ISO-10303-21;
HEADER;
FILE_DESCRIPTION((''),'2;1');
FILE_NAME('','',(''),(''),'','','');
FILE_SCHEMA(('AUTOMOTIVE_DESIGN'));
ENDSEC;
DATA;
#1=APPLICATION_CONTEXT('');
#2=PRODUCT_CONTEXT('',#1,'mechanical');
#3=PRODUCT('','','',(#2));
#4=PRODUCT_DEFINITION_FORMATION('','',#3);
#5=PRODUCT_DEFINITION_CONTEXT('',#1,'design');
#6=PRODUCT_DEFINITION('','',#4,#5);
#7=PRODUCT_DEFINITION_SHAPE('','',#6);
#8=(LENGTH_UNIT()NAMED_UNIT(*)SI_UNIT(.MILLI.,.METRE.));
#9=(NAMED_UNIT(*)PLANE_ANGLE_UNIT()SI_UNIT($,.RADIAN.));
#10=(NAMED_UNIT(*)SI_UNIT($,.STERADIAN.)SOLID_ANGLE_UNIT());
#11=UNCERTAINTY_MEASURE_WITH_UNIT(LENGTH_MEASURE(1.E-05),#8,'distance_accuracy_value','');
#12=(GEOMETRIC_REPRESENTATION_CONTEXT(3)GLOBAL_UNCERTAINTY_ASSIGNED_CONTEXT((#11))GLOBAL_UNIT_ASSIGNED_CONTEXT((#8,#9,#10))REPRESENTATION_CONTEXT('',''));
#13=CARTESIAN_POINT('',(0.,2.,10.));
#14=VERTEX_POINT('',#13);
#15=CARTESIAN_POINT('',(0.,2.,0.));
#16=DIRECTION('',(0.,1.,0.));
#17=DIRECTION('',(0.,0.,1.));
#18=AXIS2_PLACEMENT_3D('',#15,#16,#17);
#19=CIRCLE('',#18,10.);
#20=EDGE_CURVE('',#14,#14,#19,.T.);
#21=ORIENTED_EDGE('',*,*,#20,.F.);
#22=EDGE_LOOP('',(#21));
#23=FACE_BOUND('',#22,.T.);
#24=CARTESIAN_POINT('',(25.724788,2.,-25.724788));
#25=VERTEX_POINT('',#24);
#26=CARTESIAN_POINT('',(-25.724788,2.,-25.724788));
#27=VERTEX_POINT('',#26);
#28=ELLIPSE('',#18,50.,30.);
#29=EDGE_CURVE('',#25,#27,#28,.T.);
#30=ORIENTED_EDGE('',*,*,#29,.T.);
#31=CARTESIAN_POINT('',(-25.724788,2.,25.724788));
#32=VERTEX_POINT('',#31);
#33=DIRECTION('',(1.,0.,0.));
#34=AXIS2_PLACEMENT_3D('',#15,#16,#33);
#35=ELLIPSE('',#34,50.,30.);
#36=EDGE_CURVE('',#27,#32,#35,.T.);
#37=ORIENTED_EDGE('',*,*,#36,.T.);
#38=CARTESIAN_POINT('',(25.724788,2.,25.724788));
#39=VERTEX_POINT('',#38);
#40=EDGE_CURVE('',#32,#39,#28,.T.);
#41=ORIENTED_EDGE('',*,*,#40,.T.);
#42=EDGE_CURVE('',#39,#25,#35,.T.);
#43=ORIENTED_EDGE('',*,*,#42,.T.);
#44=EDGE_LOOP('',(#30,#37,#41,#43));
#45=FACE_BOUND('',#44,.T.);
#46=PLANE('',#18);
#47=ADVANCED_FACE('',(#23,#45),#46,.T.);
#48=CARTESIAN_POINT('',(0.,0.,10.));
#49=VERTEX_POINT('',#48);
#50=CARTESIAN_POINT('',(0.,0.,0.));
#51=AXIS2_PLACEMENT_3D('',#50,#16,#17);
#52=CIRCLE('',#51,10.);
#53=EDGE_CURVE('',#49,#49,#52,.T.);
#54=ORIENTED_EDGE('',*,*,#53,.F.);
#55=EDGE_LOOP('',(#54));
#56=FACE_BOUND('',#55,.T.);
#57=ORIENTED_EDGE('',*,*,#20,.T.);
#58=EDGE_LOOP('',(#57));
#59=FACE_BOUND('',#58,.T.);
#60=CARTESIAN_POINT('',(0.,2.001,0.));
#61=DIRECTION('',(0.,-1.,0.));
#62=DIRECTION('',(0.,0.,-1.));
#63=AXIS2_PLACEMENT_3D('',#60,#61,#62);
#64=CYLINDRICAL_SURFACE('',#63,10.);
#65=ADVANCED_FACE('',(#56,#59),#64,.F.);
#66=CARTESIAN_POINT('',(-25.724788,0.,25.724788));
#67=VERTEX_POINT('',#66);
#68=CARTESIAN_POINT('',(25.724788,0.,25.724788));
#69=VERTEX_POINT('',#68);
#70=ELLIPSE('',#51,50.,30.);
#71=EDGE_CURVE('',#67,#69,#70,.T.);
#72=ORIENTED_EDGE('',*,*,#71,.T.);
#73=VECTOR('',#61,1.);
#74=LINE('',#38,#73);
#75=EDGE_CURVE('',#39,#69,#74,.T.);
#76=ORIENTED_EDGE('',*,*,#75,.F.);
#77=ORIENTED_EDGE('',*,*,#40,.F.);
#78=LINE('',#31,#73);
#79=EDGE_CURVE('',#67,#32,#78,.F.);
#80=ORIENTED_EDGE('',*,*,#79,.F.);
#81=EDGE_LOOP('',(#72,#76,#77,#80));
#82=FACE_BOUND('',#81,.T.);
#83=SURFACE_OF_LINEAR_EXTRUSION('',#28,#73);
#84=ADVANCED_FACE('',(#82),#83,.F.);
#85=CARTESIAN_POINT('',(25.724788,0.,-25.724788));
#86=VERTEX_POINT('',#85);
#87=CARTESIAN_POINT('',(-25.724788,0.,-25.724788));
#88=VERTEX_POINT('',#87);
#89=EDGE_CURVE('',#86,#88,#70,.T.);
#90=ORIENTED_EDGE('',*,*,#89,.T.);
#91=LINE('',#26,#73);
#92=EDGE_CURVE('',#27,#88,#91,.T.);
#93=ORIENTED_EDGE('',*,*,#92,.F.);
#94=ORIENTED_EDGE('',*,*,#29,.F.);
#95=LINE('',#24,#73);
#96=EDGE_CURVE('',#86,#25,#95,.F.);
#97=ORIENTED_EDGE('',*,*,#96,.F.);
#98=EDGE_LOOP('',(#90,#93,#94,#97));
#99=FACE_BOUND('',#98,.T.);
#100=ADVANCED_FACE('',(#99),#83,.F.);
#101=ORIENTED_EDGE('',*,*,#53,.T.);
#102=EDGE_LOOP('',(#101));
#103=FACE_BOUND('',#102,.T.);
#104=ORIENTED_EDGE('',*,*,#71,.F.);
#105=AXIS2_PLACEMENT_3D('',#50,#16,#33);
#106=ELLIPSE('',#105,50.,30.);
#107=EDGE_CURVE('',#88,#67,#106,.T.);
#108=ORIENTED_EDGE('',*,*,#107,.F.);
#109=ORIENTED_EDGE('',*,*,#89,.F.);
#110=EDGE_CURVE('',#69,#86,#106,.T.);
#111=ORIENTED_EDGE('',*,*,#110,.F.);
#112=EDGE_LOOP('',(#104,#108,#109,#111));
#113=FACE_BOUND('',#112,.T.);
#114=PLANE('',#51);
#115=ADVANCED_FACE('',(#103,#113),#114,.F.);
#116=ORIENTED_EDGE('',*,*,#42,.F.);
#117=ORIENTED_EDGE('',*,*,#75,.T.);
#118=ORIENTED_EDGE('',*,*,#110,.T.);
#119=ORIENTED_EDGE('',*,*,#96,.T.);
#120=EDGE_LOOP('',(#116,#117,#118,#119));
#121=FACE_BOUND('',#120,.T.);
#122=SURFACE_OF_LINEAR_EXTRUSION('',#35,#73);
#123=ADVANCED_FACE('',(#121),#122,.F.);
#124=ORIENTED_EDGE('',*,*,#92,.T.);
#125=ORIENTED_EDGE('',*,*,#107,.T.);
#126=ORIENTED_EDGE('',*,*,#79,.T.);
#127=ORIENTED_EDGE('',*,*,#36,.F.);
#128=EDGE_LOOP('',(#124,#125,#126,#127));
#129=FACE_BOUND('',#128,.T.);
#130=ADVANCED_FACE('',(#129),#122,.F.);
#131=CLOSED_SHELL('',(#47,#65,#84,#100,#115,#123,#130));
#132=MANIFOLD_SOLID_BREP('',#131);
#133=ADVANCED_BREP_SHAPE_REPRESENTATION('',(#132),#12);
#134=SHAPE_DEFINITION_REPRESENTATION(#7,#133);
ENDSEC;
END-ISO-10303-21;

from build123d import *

# Parameters (mm, degrees)
SZKIC1_RX                   = 50
SZKIC1_RY                   = 30
DODANIE_WYCI_GNI_CIE1_DEPTH = 2
WYTNIJ_WYCI_GNI_CIE1_REACH  = 72.739


with BuildPart() as part:
    # Szkic1 → Dodanie-wyci_gni_cie1 (new body)
    with BuildSketch(Plane(origin=(0, 0, 0), x_dir=(1, 0, 0), z_dir=(0, 1, 0))):
        with Locations(Location((0, 0), (0, 0, -90))):
            Ellipse(SZKIC1_RX, SZKIC1_RY)
        with Locations((0, 0)):
            Ellipse(SZKIC1_RX, SZKIC1_RY)
    extrude(amount=DODANIE_WYCI_GNI_CIE1_DEPTH)

    # Szkic1_4 → Wytnij-wyci_gni_cie1 (cut, up to next)
    with BuildSketch(Plane(origin=(0, 0, 0), x_dir=(1, 0, 0), z_dir=(0, 1, 0)), mode=Mode.PRIVATE) as wytnij_wyci_gni_cie1_sk1:
        with BuildLine():
            ThreePointArc((0, 10), (-7.071067818, 7.071067805), (-10, -1.8e-08))
            Line((-10, 0), (0, 0))
            Line((0, 0), (0, 10))
        make_face()
    wytnij_wyci_gni_cie1_tool1 = extrude(wytnij_wyci_gni_cie1_sk1.sketch, amount=WYTNIJ_WYCI_GNI_CIE1_REACH, mode=Mode.PRIVATE) & part.part
    # Szkic1_4 → Wytnij-wyci_gni_cie1 (cut, up to next)
    with BuildSketch(Plane(origin=(0, 0, 0), x_dir=(1, 0, 0), z_dir=(0, 1, 0)), mode=Mode.PRIVATE) as wytnij_wyci_gni_cie1_sk2:
        with BuildLine():
            Line((0, 0), (-10, 0))
            ThreePointArc((-10, -1.8e-08), (-7.071067805, -7.071067818), (0, -10))
            Line((0, -10), (0, 0))
        make_face()
    wytnij_wyci_gni_cie1_tool2 = extrude(wytnij_wyci_gni_cie1_sk2.sketch, amount=WYTNIJ_WYCI_GNI_CIE1_REACH, mode=Mode.PRIVATE) & part.part
    # Szkic1_4 → Wytnij-wyci_gni_cie1 (cut, up to next)
    with BuildSketch(Plane(origin=(0, 0, 0), x_dir=(1, 0, 0), z_dir=(0, 1, 0)), mode=Mode.PRIVATE) as wytnij_wyci_gni_cie1_sk3:
        with BuildLine():
            ThreePointArc((10, 0), (7.071067812, 7.071067812), (0, 10))
            Line((0, 10), (0, 0))
            Line((0, 0), (10, 0))
        make_face()
    wytnij_wyci_gni_cie1_tool3 = extrude(wytnij_wyci_gni_cie1_sk3.sketch, amount=WYTNIJ_WYCI_GNI_CIE1_REACH, mode=Mode.PRIVATE) & part.part
    # Szkic1_4 → Wytnij-wyci_gni_cie1 (cut, up to next)
    with BuildSketch(Plane(origin=(0, 0, 0), x_dir=(1, 0, 0), z_dir=(0, 1, 0)), mode=Mode.PRIVATE) as wytnij_wyci_gni_cie1_sk4:
        with BuildLine():
            Line((10, 0), (0, 0))
            Line((0, 0), (0, -10))
            ThreePointArc((0, -10), (7.071067812, -7.071067812), (10, 0))
        make_face()
    wytnij_wyci_gni_cie1_tool4 = extrude(wytnij_wyci_gni_cie1_sk4.sketch, amount=WYTNIJ_WYCI_GNI_CIE1_REACH, mode=Mode.PRIVATE) & part.part
    # Szkic1_4 → Wytnij-wyci_gni_cie1 (cut, up to next)
    with BuildSketch(Plane(origin=(0, 0, 0), x_dir=(1, 0, 0), z_dir=(0, 1, 0)), mode=Mode.PRIVATE) as wytnij_wyci_gni_cie1_sk5:
        with BuildLine():
            ThreePointArc((0, 10), (-7.071067818, 7.071067805), (-10, -1.8e-08))
            Line((-10, 0), (0, 0))
            Line((0, 0), (0, 10))
        make_face()
    wytnij_wyci_gni_cie1_tool5 = extrude(wytnij_wyci_gni_cie1_sk5.sketch, amount=WYTNIJ_WYCI_GNI_CIE1_REACH, mode=Mode.PRIVATE) & part.part
    # Szkic1_4 → Wytnij-wyci_gni_cie1 (cut, up to next)
    with BuildSketch(Plane(origin=(0, 0, 0), x_dir=(1, 0, 0), z_dir=(0, 1, 0)), mode=Mode.PRIVATE) as wytnij_wyci_gni_cie1_sk6:
        with BuildLine():
            Line((0, 0), (-10, 0))
            ThreePointArc((-10, -1.8e-08), (-7.071067805, -7.071067818), (0, -10))
            Line((0, -10), (0, 0))
        make_face()
    wytnij_wyci_gni_cie1_tool6 = extrude(wytnij_wyci_gni_cie1_sk6.sketch, amount=WYTNIJ_WYCI_GNI_CIE1_REACH, mode=Mode.PRIVATE) & part.part
    # Szkic1_4 → Wytnij-wyci_gni_cie1 (cut, up to next)
    with BuildSketch(Plane(origin=(0, 0, 0), x_dir=(1, 0, 0), z_dir=(0, 1, 0)), mode=Mode.PRIVATE) as wytnij_wyci_gni_cie1_sk7:
        with BuildLine():
            ThreePointArc((10, 0), (7.071067812, 7.071067812), (0, 10))
            Line((0, 10), (0, 0))
            Line((0, 0), (10, 0))
        make_face()
    wytnij_wyci_gni_cie1_tool7 = extrude(wytnij_wyci_gni_cie1_sk7.sketch, amount=WYTNIJ_WYCI_GNI_CIE1_REACH, mode=Mode.PRIVATE) & part.part
    # Szkic1_4 → Wytnij-wyci_gni_cie1 (cut, up to next)
    with BuildSketch(Plane(origin=(0, 0, 0), x_dir=(1, 0, 0), z_dir=(0, 1, 0)), mode=Mode.PRIVATE) as wytnij_wyci_gni_cie1_sk8:
        with BuildLine():
            Line((10, 0), (0, 0))
            Line((0, 0), (0, -10))
            ThreePointArc((0, -10), (7.071067812, -7.071067812), (10, 0))
        make_face()
    wytnij_wyci_gni_cie1_tool8 = extrude(wytnij_wyci_gni_cie1_sk8.sketch, amount=WYTNIJ_WYCI_GNI_CIE1_REACH, mode=Mode.PRIVATE) & part.part
    # Szkic1_4 → Wytnij-wyci_gni_cie1 (cut, up to next)
    with BuildSketch(Plane(origin=(0, 0, 0), x_dir=(1, 0, 0), z_dir=(0, 1, 0)), mode=Mode.PRIVATE) as wytnij_wyci_gni_cie1_sk9:
        with BuildLine():
            ThreePointArc((0, 10), (-7.071067818, 7.071067805), (-10, -1.8e-08))
            Line((-10, 0), (0, 0))
            Line((0, 0), (0, 10))
        make_face()
    wytnij_wyci_gni_cie1_tool9 = extrude(wytnij_wyci_gni_cie1_sk9.sketch, amount=WYTNIJ_WYCI_GNI_CIE1_REACH, mode=Mode.PRIVATE) & part.part
    # Szkic1_4 → Wytnij-wyci_gni_cie1 (cut, up to next)
    with BuildSketch(Plane(origin=(0, 0, 0), x_dir=(1, 0, 0), z_dir=(0, 1, 0)), mode=Mode.PRIVATE) as wytnij_wyci_gni_cie1_sk10:
        with BuildLine():
            Line((0, 0), (-10, 0))
            ThreePointArc((-10, -1.8e-08), (-7.071067805, -7.071067818), (0, -10))
            Line((0, -10), (0, 0))
        make_face()
    wytnij_wyci_gni_cie1_tool10 = extrude(wytnij_wyci_gni_cie1_sk10.sketch, amount=WYTNIJ_WYCI_GNI_CIE1_REACH, mode=Mode.PRIVATE) & part.part
    # Szkic1_4 → Wytnij-wyci_gni_cie1 (cut, up to next)
    with BuildSketch(Plane(origin=(0, 0, 0), x_dir=(1, 0, 0), z_dir=(0, 1, 0)), mode=Mode.PRIVATE) as wytnij_wyci_gni_cie1_sk11:
        with BuildLine():
            ThreePointArc((10, 0), (7.071067812, 7.071067812), (0, 10))
            Line((0, 10), (0, 0))
            Line((0, 0), (10, 0))
        make_face()
    wytnij_wyci_gni_cie1_tool11 = extrude(wytnij_wyci_gni_cie1_sk11.sketch, amount=WYTNIJ_WYCI_GNI_CIE1_REACH, mode=Mode.PRIVATE) & part.part
    # Szkic1_4 → Wytnij-wyci_gni_cie1 (cut, up to next)
    with BuildSketch(Plane(origin=(0, 0, 0), x_dir=(1, 0, 0), z_dir=(0, 1, 0)), mode=Mode.PRIVATE) as wytnij_wyci_gni_cie1_sk12:
        with BuildLine():
            Line((10, 0), (0, 0))
            Line((0, 0), (0, -10))
            ThreePointArc((0, -10), (7.071067812, -7.071067812), (10, 0))
        make_face()
    wytnij_wyci_gni_cie1_tool12 = extrude(wytnij_wyci_gni_cie1_sk12.sketch, amount=WYTNIJ_WYCI_GNI_CIE1_REACH, mode=Mode.PRIVATE) & part.part
    # Szkic1_4 → Wytnij-wyci_gni_cie1 (cut, up to next)
    with BuildSketch(Plane(origin=(0, 0, 0), x_dir=(1, 0, 0), z_dir=(0, 1, 0)), mode=Mode.PRIVATE) as wytnij_wyci_gni_cie1_sk13:
        with BuildLine():
            ThreePointArc((0, 10), (-7.071067818, 7.071067805), (-10, -1.8e-08))
            Line((-10, 0), (0, 0))
            Line((0, 0), (0, 10))
        make_face()
    wytnij_wyci_gni_cie1_tool13 = extrude(wytnij_wyci_gni_cie1_sk13.sketch, amount=WYTNIJ_WYCI_GNI_CIE1_REACH, mode=Mode.PRIVATE) & part.part
    # Szkic1_4 → Wytnij-wyci_gni_cie1 (cut, up to next)
    with BuildSketch(Plane(origin=(0, 0, 0), x_dir=(1, 0, 0), z_dir=(0, 1, 0)), mode=Mode.PRIVATE) as wytnij_wyci_gni_cie1_sk14:
        with BuildLine():
            Line((0, 0), (-10, 0))
            ThreePointArc((-10, -1.8e-08), (-7.071067805, -7.071067818), (0, -10))
            Line((0, -10), (0, 0))
        make_face()
    wytnij_wyci_gni_cie1_tool14 = extrude(wytnij_wyci_gni_cie1_sk14.sketch, amount=WYTNIJ_WYCI_GNI_CIE1_REACH, mode=Mode.PRIVATE) & part.part
    # Szkic1_4 → Wytnij-wyci_gni_cie1 (cut, up to next)
    with BuildSketch(Plane(origin=(0, 0, 0), x_dir=(1, 0, 0), z_dir=(0, 1, 0)), mode=Mode.PRIVATE) as wytnij_wyci_gni_cie1_sk15:
        with BuildLine():
            ThreePointArc((10, 0), (7.071067812, 7.071067812), (0, 10))
            Line((0, 10), (0, 0))
            Line((0, 0), (10, 0))
        make_face()
    wytnij_wyci_gni_cie1_tool15 = extrude(wytnij_wyci_gni_cie1_sk15.sketch, amount=WYTNIJ_WYCI_GNI_CIE1_REACH, mode=Mode.PRIVATE) & part.part
    # Szkic1_4 → Wytnij-wyci_gni_cie1 (cut, up to next)
    with BuildSketch(Plane(origin=(0, 0, 0), x_dir=(1, 0, 0), z_dir=(0, 1, 0)), mode=Mode.PRIVATE) as wytnij_wyci_gni_cie1_sk16:
        with BuildLine():
            Line((10, 0), (0, 0))
            Line((0, 0), (0, -10))
            ThreePointArc((0, -10), (7.071067812, -7.071067812), (10, 0))
        make_face()
    wytnij_wyci_gni_cie1_tool16 = extrude(wytnij_wyci_gni_cie1_sk16.sketch, amount=WYTNIJ_WYCI_GNI_CIE1_REACH, mode=Mode.PRIVATE) & part.part
    add(wytnij_wyci_gni_cie1_tool1.solids().sort_by_distance((-4.244132, 0, -4.244132))[0], mode=Mode.SUBTRACT)
    add(wytnij_wyci_gni_cie1_tool2.solids().sort_by_distance((-4.244132, 0, 4.244132))[0], mode=Mode.SUBTRACT)
    add(wytnij_wyci_gni_cie1_tool3.solids().sort_by_distance((4.244132, 0, -4.244132))[0], mode=Mode.SUBTRACT)
    add(wytnij_wyci_gni_cie1_tool4.solids().sort_by_distance((4.244132, 0, 4.244132))[0], mode=Mode.SUBTRACT)
    add(wytnij_wyci_gni_cie1_tool5.solids().sort_by_distance((-4.244132, 0, -4.244132))[0], mode=Mode.SUBTRACT)
    add(wytnij_wyci_gni_cie1_tool6.solids().sort_by_distance((-4.244132, 0, 4.244132))[0], mode=Mode.SUBTRACT)
    add(wytnij_wyci_gni_cie1_tool7.solids().sort_by_distance((4.244132, 0, -4.244132))[0], mode=Mode.SUBTRACT)
    add(wytnij_wyci_gni_cie1_tool8.solids().sort_by_distance((4.244132, 0, 4.244132))[0], mode=Mode.SUBTRACT)
    add(wytnij_wyci_gni_cie1_tool9.solids().sort_by_distance((-4.244132, 0, -4.244132))[0], mode=Mode.SUBTRACT)
    add(wytnij_wyci_gni_cie1_tool10.solids().sort_by_distance((-4.244132, 0, 4.244132))[0], mode=Mode.SUBTRACT)
    add(wytnij_wyci_gni_cie1_tool11.solids().sort_by_distance((4.244132, 0, -4.244132))[0], mode=Mode.SUBTRACT)
    add(wytnij_wyci_gni_cie1_tool12.solids().sort_by_distance((4.244132, 0, 4.244132))[0], mode=Mode.SUBTRACT)
    add(wytnij_wyci_gni_cie1_tool13.solids().sort_by_distance((-4.244132, 0, -4.244132))[0], mode=Mode.SUBTRACT)
    add(wytnij_wyci_gni_cie1_tool14.solids().sort_by_distance((-4.244132, 0, 4.244132))[0], mode=Mode.SUBTRACT)
    add(wytnij_wyci_gni_cie1_tool15.solids().sort_by_distance((4.244132, 0, -4.244132))[0], mode=Mode.SUBTRACT)
    add(wytnij_wyci_gni_cie1_tool16.solids().sort_by_distance((4.244132, 0, 4.244132))[0], mode=Mode.SUBTRACT)


solid = part.part
